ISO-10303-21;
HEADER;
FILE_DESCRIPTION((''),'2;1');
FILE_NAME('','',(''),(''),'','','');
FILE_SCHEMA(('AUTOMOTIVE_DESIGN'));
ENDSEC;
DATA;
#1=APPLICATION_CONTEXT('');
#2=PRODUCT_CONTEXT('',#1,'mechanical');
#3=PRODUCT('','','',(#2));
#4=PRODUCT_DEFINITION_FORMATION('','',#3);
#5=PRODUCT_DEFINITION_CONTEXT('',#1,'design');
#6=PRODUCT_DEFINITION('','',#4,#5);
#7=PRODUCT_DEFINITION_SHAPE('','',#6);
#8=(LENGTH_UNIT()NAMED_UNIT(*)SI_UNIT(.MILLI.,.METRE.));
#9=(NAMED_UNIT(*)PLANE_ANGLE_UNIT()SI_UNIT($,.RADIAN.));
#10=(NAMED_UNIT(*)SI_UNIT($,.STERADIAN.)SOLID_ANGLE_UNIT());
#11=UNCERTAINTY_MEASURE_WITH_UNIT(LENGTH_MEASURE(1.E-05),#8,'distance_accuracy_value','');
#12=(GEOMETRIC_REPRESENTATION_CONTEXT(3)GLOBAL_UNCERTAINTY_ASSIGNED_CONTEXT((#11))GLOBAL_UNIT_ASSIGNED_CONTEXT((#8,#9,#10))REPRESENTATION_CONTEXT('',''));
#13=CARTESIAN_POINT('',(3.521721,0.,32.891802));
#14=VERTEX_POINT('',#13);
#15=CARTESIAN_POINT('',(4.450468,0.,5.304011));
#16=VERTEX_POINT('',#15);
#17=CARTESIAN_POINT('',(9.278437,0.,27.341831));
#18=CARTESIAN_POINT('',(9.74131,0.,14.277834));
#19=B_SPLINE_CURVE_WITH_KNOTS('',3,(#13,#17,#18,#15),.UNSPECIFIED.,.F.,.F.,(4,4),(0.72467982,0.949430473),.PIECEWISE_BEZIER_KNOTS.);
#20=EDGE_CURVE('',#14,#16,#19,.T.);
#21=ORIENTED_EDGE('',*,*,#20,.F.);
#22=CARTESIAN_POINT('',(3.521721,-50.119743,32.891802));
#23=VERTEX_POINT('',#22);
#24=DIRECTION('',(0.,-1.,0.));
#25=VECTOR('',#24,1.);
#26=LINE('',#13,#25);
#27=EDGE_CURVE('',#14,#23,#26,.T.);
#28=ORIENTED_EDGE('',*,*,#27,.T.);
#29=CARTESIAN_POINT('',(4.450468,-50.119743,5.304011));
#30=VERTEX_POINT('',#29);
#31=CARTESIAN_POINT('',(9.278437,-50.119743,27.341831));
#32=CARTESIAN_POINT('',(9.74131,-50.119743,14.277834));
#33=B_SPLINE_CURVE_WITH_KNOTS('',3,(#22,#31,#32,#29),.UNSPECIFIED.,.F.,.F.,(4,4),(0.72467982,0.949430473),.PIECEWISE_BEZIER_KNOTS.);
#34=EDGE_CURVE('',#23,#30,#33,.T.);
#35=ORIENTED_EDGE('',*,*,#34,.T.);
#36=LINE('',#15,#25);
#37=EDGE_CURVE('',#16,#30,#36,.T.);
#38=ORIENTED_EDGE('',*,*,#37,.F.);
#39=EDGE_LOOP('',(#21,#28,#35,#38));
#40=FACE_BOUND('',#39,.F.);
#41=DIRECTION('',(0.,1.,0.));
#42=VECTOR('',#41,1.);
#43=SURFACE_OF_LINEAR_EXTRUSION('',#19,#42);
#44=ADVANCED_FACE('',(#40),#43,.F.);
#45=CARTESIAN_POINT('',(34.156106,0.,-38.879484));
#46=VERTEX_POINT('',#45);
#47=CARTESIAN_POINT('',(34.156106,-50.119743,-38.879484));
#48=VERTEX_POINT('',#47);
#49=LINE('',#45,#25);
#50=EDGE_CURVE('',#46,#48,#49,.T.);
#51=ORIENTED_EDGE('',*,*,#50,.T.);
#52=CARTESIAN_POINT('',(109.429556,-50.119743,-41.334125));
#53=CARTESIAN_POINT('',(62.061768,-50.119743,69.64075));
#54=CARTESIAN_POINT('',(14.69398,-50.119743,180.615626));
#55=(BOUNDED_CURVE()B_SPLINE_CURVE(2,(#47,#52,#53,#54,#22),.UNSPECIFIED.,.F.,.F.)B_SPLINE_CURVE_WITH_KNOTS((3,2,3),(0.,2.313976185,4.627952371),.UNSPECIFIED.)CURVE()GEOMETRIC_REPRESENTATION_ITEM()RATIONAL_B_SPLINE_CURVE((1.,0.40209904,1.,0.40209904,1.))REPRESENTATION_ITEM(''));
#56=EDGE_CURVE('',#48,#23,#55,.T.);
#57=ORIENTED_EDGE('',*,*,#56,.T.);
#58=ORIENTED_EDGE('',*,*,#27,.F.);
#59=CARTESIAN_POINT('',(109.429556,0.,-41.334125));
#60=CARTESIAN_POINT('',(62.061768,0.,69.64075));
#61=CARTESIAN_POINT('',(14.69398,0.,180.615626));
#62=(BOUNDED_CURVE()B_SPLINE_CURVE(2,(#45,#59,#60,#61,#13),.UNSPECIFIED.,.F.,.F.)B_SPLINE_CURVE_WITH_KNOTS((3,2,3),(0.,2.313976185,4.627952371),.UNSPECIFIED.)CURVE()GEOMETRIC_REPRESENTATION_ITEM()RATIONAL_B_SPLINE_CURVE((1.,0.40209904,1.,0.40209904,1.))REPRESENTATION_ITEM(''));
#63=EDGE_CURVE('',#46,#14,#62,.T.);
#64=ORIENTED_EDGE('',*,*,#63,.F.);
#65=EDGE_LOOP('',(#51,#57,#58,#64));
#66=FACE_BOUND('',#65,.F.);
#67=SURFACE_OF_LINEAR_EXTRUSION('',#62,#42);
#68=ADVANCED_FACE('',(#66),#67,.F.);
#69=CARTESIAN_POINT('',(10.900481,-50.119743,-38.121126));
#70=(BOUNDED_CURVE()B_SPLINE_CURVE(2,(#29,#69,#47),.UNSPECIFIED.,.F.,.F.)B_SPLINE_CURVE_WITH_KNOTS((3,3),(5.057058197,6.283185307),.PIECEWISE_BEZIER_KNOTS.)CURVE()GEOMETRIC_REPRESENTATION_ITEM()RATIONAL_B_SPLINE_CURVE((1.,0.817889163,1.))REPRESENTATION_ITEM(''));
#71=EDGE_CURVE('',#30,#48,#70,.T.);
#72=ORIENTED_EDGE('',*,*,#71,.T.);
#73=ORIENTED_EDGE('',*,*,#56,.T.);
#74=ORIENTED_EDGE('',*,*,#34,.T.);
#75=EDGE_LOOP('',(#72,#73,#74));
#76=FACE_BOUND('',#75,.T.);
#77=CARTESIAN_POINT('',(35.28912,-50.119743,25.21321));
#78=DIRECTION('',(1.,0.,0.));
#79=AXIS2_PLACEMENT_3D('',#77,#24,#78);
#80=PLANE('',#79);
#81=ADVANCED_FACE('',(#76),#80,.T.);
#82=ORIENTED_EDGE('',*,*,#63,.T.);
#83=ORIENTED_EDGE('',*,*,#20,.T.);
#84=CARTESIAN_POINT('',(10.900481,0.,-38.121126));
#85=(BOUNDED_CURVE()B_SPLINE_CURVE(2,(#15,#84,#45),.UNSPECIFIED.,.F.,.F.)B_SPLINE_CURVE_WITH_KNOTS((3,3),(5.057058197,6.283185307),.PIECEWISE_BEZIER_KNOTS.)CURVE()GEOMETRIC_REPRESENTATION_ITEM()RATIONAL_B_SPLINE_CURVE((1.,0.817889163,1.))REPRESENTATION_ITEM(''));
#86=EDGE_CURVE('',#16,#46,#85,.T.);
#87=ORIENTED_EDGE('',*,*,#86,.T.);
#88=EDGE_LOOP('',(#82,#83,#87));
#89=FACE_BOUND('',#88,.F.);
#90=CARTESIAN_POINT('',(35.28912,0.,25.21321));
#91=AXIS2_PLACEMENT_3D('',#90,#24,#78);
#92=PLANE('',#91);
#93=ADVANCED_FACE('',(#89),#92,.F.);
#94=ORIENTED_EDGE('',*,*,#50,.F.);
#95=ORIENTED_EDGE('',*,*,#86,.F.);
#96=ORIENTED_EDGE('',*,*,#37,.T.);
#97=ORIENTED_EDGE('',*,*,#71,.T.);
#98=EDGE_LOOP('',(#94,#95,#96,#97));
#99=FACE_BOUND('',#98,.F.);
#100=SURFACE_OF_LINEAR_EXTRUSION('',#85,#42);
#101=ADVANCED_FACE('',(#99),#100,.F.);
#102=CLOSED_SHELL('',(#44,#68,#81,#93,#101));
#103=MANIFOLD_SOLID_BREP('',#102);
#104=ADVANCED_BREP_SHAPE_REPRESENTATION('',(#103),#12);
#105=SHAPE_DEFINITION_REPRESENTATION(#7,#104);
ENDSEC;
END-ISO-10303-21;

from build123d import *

# Parameters (mm, degrees)
F2_DEPTH = 50.1197427511


with BuildPart() as f2:
    # F1 (on face) → F2 (new body)
    with BuildSketch(Plane.XZ):
        with BuildLine():
            add(Edge.make_bspline(
                [(4.4504682513, 5.3040112259), (10.9004809366, -38.1211260463), (34.1561064124, -38.8794839382)],
                knots=[5.0570581969, 5.0570581969, 5.0570581969, 6.2831853072, 6.2831853072, 6.2831853072], degree=2, weights=[1, 0.8178891632, 1]))
            add(Edge.make_bspline(
                [(34.1561064124, -38.8794839382), (109.4295558814, -41.3341250536), (62.061767901, 69.6407504735), (14.6939799205, 180.6156260006), (3.5217212873, 32.891802437)],
                knots=[0, 0, 0, 2.3139761853, 2.3139761853, 4.6279523705, 4.6279523705, 4.6279523705], degree=2, weights=[1, 0.4020990399, 1, 0.4020990399, 1]))
            add(Edge.make_bspline(
                [(3.5217212873, 32.891802437), (9.278436603, 27.3418305298), (9.7413098769, 14.2778340166), (4.4504682513, 5.3040112259)],
                knots=[0.7246798201, 0.7246798201, 0.7246798201, 0.7246798201, 0.9494304731, 0.9494304731, 0.9494304731, 0.9494304731], degree=3))
        make_face()
    extrude(amount=F2_DEPTH)


solid = f2.part
